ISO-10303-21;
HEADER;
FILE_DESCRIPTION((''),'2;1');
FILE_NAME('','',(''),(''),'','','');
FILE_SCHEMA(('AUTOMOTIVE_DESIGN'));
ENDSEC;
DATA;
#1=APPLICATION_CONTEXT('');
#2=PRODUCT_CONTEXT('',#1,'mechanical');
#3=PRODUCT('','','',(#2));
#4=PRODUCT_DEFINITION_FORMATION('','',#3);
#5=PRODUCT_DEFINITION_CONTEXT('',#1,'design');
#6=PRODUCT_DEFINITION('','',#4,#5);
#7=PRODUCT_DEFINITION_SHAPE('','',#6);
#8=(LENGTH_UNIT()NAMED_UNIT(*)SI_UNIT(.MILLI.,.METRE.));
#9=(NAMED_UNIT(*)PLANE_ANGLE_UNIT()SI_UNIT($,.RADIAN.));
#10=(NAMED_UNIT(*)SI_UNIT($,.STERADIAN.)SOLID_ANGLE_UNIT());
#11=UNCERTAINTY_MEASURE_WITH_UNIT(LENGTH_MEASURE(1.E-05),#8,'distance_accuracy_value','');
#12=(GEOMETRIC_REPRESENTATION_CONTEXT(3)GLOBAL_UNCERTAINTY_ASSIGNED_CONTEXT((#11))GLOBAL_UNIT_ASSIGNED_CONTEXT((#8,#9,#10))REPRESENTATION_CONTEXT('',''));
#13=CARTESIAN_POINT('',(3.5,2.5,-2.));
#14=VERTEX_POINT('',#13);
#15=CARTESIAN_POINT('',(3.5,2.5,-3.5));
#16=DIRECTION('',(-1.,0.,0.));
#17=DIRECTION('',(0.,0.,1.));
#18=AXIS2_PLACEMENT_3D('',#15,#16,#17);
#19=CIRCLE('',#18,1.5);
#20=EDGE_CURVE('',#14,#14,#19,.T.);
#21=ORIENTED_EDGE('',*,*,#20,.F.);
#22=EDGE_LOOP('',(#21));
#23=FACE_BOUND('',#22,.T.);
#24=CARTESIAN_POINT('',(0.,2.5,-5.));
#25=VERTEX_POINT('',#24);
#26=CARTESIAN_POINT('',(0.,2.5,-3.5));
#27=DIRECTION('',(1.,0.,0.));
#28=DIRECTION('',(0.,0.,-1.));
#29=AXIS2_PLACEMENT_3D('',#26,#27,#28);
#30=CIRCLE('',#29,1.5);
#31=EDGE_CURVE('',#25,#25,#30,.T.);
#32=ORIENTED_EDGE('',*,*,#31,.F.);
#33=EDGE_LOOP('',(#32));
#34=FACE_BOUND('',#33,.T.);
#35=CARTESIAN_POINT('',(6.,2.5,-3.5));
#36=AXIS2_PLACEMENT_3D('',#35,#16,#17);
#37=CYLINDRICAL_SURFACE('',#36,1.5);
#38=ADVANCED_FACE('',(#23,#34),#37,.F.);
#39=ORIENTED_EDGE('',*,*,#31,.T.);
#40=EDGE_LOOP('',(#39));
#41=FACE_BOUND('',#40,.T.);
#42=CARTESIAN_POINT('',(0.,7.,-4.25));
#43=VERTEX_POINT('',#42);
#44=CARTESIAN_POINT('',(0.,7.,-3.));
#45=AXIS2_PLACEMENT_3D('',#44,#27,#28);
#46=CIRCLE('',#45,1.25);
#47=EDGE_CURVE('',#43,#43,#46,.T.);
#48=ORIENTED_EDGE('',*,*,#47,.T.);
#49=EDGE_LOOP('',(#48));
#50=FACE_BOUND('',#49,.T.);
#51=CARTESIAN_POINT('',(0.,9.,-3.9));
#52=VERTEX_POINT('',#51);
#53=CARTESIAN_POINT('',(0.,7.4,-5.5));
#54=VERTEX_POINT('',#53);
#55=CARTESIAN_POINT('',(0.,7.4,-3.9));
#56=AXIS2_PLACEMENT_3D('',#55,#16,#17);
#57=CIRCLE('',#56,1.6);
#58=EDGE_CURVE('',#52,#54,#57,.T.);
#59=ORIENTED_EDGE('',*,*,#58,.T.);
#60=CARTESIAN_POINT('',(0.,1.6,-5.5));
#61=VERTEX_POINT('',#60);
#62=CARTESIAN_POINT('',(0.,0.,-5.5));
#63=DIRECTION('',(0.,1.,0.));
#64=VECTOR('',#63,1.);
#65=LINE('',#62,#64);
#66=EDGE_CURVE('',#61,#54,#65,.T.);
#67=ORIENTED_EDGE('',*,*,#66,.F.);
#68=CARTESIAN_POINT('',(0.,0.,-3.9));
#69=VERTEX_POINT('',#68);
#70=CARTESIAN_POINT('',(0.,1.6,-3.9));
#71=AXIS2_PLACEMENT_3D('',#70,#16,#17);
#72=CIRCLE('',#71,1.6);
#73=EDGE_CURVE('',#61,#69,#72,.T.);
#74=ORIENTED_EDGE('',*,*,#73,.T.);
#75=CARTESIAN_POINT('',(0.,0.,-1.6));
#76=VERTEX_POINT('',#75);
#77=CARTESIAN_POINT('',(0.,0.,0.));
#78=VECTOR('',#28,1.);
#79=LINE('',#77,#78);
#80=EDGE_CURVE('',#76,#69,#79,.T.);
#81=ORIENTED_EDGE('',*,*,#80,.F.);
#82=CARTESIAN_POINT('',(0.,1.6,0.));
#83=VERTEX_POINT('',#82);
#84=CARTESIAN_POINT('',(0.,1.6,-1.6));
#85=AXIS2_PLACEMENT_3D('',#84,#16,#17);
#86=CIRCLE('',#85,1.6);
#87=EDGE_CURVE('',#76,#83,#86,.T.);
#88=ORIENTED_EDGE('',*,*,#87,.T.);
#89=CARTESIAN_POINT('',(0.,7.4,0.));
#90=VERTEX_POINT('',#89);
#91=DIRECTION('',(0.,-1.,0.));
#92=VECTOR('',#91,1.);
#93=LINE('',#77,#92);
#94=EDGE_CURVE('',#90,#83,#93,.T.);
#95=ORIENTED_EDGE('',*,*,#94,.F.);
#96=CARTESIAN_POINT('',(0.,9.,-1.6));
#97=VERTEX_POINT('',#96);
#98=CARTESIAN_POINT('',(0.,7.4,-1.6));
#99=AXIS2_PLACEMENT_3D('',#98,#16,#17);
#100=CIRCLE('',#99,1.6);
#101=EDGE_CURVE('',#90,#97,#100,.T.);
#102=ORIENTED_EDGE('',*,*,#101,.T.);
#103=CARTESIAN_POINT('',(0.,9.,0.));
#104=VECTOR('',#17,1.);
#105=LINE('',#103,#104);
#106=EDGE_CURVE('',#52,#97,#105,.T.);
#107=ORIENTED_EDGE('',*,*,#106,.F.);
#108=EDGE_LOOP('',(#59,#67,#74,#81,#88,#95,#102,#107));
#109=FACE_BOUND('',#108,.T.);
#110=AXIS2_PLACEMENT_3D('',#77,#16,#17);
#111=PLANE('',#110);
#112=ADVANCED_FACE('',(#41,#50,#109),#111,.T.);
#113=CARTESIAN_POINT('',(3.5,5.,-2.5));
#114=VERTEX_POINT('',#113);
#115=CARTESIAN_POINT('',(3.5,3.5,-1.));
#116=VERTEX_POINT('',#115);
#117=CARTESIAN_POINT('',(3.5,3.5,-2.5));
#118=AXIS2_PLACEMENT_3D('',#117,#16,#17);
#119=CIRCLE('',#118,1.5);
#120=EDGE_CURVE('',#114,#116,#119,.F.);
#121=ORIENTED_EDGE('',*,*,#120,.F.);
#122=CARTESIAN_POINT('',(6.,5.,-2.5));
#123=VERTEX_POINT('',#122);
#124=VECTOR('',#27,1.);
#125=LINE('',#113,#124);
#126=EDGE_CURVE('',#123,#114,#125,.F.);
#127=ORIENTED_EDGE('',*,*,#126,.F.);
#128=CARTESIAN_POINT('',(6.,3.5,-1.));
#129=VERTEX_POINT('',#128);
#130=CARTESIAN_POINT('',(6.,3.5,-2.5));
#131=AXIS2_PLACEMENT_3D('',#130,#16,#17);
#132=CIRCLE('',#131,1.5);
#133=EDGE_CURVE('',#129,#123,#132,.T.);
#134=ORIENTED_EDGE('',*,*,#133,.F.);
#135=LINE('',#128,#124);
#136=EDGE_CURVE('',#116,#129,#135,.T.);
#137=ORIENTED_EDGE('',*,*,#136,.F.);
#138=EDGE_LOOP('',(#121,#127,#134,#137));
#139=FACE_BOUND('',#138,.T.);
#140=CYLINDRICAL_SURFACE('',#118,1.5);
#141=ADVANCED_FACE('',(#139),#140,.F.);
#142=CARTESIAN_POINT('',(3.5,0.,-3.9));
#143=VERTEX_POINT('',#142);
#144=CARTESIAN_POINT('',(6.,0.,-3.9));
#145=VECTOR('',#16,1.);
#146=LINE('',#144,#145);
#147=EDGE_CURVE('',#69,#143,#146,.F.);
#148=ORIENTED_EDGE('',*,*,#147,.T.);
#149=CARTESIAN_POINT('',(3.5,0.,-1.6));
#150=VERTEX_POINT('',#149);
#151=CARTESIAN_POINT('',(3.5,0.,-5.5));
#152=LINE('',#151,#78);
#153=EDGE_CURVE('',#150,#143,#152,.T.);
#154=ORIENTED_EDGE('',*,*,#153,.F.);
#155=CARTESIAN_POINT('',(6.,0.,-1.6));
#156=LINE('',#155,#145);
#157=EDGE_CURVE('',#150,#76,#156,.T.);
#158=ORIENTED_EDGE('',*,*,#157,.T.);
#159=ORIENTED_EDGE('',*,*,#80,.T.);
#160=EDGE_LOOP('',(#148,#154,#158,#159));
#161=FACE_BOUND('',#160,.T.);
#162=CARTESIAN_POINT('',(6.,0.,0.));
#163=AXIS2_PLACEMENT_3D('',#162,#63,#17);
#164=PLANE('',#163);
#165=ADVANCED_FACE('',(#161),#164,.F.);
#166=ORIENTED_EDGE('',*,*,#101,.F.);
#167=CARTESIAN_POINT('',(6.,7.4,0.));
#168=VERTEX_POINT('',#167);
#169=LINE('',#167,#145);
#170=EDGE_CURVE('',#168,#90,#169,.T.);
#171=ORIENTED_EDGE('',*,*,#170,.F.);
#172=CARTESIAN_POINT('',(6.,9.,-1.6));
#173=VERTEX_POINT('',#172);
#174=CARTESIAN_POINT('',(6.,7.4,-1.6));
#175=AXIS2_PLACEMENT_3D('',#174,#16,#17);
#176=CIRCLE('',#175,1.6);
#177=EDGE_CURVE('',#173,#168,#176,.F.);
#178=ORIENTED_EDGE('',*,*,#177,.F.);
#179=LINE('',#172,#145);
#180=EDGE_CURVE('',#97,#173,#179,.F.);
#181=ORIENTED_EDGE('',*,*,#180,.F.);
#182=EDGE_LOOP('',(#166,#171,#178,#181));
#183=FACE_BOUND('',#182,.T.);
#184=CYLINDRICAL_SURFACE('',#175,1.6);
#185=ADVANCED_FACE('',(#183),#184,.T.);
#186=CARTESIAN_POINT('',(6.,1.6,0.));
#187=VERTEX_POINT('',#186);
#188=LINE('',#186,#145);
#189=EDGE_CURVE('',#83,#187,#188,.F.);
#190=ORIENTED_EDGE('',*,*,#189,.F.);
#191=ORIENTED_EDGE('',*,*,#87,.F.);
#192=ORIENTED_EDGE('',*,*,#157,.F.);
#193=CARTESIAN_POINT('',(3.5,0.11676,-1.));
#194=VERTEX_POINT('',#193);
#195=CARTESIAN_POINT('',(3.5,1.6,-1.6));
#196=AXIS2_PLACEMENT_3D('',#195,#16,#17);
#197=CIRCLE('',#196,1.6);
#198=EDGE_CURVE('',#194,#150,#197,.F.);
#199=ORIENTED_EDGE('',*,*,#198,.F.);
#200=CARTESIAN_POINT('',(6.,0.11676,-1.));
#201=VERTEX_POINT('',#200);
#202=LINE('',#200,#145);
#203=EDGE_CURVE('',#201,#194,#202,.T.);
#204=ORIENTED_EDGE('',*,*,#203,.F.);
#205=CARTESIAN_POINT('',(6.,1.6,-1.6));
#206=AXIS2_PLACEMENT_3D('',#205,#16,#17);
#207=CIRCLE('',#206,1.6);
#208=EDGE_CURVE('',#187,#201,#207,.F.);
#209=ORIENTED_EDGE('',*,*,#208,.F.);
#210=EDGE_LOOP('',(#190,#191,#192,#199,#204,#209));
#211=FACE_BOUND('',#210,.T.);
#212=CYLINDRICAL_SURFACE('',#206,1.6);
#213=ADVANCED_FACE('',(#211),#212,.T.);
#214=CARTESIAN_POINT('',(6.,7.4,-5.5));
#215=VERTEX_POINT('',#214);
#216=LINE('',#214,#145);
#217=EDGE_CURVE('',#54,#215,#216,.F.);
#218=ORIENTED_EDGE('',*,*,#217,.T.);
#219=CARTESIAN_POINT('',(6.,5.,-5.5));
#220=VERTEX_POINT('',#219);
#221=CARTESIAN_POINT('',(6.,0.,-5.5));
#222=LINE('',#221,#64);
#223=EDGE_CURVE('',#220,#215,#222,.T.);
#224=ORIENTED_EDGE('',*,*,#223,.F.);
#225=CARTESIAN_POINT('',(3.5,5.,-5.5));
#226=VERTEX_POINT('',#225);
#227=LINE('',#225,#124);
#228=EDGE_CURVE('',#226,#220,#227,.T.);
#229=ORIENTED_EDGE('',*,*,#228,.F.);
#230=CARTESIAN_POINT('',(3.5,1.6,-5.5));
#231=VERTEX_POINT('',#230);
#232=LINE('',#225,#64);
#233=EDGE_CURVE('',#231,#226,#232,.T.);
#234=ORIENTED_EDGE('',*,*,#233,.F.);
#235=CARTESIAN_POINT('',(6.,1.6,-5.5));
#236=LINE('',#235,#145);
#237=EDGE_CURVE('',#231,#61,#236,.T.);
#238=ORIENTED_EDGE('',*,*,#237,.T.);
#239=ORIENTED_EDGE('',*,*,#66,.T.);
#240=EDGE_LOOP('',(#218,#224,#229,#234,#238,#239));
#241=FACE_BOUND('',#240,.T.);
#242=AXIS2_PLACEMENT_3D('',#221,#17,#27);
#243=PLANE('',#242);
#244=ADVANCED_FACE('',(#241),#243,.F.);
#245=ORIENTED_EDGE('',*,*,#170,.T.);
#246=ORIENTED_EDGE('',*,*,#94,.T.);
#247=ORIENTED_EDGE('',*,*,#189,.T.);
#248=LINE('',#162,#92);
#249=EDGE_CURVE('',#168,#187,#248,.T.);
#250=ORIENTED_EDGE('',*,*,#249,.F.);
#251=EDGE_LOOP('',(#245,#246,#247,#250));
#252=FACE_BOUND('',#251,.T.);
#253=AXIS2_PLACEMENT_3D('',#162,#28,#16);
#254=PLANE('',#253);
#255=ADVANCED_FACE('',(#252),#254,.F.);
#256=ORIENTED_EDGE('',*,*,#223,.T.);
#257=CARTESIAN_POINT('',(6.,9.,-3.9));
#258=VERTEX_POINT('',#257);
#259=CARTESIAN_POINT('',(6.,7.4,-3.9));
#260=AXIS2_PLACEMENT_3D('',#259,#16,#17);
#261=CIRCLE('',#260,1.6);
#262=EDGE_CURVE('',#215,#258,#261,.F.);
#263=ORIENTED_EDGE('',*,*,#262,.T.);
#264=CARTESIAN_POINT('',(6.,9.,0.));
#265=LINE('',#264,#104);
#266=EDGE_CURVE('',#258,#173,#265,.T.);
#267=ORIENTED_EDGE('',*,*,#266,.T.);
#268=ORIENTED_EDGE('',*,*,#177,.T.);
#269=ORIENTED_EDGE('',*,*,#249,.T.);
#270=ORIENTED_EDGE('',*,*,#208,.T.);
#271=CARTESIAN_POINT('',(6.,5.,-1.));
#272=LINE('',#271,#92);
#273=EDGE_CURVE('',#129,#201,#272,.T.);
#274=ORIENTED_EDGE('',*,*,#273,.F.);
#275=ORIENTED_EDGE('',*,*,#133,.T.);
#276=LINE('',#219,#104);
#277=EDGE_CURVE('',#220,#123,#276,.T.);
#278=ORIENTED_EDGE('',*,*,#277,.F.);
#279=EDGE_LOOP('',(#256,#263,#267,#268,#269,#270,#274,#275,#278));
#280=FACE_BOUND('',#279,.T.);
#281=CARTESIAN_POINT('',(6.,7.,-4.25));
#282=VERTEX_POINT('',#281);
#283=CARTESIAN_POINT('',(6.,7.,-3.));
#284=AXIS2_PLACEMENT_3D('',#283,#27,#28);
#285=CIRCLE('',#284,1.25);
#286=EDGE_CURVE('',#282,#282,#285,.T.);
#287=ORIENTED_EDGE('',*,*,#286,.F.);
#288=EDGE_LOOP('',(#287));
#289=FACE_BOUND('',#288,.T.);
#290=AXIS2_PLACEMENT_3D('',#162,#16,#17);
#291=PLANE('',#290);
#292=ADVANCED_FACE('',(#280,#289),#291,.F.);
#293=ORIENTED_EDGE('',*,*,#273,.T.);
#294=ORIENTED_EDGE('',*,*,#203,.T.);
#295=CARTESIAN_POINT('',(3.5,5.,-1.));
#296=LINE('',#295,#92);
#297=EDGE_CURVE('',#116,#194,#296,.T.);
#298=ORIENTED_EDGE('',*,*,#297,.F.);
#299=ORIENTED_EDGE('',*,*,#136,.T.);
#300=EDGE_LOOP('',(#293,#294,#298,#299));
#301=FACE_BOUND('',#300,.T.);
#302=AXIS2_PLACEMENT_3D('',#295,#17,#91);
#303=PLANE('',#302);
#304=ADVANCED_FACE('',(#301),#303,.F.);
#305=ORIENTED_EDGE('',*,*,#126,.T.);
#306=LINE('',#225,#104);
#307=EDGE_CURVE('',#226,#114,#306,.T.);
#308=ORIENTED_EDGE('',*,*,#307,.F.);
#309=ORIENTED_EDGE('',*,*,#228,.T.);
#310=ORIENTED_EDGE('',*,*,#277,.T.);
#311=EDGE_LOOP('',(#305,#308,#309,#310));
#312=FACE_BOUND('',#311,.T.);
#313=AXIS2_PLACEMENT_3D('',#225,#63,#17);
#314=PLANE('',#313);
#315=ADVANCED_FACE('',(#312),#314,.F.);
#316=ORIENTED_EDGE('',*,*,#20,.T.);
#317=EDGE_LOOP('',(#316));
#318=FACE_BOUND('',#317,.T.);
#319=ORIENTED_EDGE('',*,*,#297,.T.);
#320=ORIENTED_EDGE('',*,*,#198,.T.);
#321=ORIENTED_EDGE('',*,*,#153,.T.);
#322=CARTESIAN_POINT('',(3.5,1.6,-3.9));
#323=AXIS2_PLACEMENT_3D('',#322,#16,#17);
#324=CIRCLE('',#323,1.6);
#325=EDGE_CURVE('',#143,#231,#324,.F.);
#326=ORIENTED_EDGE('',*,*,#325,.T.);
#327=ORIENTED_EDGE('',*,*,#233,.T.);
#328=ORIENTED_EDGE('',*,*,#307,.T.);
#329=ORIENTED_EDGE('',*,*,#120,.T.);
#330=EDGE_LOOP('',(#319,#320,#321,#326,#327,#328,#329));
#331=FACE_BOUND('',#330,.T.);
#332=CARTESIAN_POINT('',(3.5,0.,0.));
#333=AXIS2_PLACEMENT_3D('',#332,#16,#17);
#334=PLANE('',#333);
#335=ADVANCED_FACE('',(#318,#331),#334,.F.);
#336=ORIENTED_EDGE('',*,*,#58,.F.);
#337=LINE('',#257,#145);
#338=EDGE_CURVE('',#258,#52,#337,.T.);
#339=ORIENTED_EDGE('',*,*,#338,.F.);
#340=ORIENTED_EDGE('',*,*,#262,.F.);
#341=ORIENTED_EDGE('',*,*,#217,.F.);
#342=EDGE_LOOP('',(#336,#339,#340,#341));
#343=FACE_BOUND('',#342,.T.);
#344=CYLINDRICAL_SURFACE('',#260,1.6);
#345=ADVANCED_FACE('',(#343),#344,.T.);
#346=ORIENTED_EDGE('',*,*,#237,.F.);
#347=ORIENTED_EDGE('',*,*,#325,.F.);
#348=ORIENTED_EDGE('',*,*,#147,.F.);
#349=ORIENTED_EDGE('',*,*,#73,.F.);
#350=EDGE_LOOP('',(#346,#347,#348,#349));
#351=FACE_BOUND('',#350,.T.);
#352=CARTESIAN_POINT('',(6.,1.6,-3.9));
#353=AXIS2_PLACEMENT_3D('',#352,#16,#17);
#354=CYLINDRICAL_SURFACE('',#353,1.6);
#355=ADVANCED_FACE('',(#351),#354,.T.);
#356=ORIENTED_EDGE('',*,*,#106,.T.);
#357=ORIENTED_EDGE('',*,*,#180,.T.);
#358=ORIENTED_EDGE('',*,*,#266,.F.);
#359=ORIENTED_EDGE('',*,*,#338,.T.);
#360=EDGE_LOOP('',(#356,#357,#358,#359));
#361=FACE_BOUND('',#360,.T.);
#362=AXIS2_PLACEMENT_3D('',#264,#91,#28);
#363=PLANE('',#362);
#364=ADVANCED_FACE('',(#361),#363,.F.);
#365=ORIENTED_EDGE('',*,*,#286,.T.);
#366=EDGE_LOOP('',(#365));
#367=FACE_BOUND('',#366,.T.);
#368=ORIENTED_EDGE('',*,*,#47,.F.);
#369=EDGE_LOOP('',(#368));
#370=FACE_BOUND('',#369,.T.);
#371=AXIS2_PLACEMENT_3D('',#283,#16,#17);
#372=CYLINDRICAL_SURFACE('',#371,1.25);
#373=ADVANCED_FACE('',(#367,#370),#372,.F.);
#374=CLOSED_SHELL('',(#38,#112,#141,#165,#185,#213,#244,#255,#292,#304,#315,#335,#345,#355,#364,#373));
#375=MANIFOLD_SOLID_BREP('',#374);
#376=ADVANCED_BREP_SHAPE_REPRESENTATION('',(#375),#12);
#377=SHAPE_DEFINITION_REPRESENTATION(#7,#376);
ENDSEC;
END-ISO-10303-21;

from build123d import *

# Parameters (mm, degrees)
SKETCH1_W           = 5.5
SKETCH1_H           = 9
SKETCH1_R           = 1.5
SKETCH1_R_2         = 1.25
BOSS_EXTRUDE1_DEPTH = 6
SKETCH2_W           = 4.5
SKETCH2_H           = 5
CUT_EXTRUDE1_DEPTH  = 2.5
FILLET1_R           = 1.5
FILLET2_R           = 1.6


with BuildPart() as part:
    # Sketch1 → Boss-Extrude1 (new body)
    with BuildSketch(Plane(origin=(0, 0, 0), x_dir=(0, 0, -1), z_dir=(1, 0, 0))):
        with Locations((2.75, 4.5)):
            Rectangle(SKETCH1_W, SKETCH1_H)
        with Locations((3.5, 2.5)):
            Circle(SKETCH1_R, mode=Mode.SUBTRACT)
        with Locations((3, 7)):
            Circle(SKETCH1_R_2, mode=Mode.SUBTRACT)
    extrude(amount=BOSS_EXTRUDE1_DEPTH)

    # Sketch2 → Cut-Extrude1 (cut)
    with BuildSketch(Plane(origin=(6, 0, 0), x_dir=(0, 0, -1), z_dir=(1, 0, 0))):
        with Locations((3.25, 2.5)):
            Rectangle(SKETCH2_W, SKETCH2_H)
    extrude(amount=-CUT_EXTRUDE1_DEPTH, mode=Mode.SUBTRACT)

    # Fillet1
    fillet1_edges = [part.edges().sort_by_distance(p)[0] for p in [
        (4.75, 5, -1),
    ]]
    fillet(fillet1_edges, radius=FILLET1_R)

    # Fillet2
    fillet2_edges = [part.edges().sort_by_distance(p)[0] for p in [
        (3, 9, 0),
        (3, 0, 0),
        (1.75, 0, -5.5),
        (3, 9, -5.5),
    ]]
    fillet(fillet2_edges, radius=FILLET2_R)


solid = part.part
